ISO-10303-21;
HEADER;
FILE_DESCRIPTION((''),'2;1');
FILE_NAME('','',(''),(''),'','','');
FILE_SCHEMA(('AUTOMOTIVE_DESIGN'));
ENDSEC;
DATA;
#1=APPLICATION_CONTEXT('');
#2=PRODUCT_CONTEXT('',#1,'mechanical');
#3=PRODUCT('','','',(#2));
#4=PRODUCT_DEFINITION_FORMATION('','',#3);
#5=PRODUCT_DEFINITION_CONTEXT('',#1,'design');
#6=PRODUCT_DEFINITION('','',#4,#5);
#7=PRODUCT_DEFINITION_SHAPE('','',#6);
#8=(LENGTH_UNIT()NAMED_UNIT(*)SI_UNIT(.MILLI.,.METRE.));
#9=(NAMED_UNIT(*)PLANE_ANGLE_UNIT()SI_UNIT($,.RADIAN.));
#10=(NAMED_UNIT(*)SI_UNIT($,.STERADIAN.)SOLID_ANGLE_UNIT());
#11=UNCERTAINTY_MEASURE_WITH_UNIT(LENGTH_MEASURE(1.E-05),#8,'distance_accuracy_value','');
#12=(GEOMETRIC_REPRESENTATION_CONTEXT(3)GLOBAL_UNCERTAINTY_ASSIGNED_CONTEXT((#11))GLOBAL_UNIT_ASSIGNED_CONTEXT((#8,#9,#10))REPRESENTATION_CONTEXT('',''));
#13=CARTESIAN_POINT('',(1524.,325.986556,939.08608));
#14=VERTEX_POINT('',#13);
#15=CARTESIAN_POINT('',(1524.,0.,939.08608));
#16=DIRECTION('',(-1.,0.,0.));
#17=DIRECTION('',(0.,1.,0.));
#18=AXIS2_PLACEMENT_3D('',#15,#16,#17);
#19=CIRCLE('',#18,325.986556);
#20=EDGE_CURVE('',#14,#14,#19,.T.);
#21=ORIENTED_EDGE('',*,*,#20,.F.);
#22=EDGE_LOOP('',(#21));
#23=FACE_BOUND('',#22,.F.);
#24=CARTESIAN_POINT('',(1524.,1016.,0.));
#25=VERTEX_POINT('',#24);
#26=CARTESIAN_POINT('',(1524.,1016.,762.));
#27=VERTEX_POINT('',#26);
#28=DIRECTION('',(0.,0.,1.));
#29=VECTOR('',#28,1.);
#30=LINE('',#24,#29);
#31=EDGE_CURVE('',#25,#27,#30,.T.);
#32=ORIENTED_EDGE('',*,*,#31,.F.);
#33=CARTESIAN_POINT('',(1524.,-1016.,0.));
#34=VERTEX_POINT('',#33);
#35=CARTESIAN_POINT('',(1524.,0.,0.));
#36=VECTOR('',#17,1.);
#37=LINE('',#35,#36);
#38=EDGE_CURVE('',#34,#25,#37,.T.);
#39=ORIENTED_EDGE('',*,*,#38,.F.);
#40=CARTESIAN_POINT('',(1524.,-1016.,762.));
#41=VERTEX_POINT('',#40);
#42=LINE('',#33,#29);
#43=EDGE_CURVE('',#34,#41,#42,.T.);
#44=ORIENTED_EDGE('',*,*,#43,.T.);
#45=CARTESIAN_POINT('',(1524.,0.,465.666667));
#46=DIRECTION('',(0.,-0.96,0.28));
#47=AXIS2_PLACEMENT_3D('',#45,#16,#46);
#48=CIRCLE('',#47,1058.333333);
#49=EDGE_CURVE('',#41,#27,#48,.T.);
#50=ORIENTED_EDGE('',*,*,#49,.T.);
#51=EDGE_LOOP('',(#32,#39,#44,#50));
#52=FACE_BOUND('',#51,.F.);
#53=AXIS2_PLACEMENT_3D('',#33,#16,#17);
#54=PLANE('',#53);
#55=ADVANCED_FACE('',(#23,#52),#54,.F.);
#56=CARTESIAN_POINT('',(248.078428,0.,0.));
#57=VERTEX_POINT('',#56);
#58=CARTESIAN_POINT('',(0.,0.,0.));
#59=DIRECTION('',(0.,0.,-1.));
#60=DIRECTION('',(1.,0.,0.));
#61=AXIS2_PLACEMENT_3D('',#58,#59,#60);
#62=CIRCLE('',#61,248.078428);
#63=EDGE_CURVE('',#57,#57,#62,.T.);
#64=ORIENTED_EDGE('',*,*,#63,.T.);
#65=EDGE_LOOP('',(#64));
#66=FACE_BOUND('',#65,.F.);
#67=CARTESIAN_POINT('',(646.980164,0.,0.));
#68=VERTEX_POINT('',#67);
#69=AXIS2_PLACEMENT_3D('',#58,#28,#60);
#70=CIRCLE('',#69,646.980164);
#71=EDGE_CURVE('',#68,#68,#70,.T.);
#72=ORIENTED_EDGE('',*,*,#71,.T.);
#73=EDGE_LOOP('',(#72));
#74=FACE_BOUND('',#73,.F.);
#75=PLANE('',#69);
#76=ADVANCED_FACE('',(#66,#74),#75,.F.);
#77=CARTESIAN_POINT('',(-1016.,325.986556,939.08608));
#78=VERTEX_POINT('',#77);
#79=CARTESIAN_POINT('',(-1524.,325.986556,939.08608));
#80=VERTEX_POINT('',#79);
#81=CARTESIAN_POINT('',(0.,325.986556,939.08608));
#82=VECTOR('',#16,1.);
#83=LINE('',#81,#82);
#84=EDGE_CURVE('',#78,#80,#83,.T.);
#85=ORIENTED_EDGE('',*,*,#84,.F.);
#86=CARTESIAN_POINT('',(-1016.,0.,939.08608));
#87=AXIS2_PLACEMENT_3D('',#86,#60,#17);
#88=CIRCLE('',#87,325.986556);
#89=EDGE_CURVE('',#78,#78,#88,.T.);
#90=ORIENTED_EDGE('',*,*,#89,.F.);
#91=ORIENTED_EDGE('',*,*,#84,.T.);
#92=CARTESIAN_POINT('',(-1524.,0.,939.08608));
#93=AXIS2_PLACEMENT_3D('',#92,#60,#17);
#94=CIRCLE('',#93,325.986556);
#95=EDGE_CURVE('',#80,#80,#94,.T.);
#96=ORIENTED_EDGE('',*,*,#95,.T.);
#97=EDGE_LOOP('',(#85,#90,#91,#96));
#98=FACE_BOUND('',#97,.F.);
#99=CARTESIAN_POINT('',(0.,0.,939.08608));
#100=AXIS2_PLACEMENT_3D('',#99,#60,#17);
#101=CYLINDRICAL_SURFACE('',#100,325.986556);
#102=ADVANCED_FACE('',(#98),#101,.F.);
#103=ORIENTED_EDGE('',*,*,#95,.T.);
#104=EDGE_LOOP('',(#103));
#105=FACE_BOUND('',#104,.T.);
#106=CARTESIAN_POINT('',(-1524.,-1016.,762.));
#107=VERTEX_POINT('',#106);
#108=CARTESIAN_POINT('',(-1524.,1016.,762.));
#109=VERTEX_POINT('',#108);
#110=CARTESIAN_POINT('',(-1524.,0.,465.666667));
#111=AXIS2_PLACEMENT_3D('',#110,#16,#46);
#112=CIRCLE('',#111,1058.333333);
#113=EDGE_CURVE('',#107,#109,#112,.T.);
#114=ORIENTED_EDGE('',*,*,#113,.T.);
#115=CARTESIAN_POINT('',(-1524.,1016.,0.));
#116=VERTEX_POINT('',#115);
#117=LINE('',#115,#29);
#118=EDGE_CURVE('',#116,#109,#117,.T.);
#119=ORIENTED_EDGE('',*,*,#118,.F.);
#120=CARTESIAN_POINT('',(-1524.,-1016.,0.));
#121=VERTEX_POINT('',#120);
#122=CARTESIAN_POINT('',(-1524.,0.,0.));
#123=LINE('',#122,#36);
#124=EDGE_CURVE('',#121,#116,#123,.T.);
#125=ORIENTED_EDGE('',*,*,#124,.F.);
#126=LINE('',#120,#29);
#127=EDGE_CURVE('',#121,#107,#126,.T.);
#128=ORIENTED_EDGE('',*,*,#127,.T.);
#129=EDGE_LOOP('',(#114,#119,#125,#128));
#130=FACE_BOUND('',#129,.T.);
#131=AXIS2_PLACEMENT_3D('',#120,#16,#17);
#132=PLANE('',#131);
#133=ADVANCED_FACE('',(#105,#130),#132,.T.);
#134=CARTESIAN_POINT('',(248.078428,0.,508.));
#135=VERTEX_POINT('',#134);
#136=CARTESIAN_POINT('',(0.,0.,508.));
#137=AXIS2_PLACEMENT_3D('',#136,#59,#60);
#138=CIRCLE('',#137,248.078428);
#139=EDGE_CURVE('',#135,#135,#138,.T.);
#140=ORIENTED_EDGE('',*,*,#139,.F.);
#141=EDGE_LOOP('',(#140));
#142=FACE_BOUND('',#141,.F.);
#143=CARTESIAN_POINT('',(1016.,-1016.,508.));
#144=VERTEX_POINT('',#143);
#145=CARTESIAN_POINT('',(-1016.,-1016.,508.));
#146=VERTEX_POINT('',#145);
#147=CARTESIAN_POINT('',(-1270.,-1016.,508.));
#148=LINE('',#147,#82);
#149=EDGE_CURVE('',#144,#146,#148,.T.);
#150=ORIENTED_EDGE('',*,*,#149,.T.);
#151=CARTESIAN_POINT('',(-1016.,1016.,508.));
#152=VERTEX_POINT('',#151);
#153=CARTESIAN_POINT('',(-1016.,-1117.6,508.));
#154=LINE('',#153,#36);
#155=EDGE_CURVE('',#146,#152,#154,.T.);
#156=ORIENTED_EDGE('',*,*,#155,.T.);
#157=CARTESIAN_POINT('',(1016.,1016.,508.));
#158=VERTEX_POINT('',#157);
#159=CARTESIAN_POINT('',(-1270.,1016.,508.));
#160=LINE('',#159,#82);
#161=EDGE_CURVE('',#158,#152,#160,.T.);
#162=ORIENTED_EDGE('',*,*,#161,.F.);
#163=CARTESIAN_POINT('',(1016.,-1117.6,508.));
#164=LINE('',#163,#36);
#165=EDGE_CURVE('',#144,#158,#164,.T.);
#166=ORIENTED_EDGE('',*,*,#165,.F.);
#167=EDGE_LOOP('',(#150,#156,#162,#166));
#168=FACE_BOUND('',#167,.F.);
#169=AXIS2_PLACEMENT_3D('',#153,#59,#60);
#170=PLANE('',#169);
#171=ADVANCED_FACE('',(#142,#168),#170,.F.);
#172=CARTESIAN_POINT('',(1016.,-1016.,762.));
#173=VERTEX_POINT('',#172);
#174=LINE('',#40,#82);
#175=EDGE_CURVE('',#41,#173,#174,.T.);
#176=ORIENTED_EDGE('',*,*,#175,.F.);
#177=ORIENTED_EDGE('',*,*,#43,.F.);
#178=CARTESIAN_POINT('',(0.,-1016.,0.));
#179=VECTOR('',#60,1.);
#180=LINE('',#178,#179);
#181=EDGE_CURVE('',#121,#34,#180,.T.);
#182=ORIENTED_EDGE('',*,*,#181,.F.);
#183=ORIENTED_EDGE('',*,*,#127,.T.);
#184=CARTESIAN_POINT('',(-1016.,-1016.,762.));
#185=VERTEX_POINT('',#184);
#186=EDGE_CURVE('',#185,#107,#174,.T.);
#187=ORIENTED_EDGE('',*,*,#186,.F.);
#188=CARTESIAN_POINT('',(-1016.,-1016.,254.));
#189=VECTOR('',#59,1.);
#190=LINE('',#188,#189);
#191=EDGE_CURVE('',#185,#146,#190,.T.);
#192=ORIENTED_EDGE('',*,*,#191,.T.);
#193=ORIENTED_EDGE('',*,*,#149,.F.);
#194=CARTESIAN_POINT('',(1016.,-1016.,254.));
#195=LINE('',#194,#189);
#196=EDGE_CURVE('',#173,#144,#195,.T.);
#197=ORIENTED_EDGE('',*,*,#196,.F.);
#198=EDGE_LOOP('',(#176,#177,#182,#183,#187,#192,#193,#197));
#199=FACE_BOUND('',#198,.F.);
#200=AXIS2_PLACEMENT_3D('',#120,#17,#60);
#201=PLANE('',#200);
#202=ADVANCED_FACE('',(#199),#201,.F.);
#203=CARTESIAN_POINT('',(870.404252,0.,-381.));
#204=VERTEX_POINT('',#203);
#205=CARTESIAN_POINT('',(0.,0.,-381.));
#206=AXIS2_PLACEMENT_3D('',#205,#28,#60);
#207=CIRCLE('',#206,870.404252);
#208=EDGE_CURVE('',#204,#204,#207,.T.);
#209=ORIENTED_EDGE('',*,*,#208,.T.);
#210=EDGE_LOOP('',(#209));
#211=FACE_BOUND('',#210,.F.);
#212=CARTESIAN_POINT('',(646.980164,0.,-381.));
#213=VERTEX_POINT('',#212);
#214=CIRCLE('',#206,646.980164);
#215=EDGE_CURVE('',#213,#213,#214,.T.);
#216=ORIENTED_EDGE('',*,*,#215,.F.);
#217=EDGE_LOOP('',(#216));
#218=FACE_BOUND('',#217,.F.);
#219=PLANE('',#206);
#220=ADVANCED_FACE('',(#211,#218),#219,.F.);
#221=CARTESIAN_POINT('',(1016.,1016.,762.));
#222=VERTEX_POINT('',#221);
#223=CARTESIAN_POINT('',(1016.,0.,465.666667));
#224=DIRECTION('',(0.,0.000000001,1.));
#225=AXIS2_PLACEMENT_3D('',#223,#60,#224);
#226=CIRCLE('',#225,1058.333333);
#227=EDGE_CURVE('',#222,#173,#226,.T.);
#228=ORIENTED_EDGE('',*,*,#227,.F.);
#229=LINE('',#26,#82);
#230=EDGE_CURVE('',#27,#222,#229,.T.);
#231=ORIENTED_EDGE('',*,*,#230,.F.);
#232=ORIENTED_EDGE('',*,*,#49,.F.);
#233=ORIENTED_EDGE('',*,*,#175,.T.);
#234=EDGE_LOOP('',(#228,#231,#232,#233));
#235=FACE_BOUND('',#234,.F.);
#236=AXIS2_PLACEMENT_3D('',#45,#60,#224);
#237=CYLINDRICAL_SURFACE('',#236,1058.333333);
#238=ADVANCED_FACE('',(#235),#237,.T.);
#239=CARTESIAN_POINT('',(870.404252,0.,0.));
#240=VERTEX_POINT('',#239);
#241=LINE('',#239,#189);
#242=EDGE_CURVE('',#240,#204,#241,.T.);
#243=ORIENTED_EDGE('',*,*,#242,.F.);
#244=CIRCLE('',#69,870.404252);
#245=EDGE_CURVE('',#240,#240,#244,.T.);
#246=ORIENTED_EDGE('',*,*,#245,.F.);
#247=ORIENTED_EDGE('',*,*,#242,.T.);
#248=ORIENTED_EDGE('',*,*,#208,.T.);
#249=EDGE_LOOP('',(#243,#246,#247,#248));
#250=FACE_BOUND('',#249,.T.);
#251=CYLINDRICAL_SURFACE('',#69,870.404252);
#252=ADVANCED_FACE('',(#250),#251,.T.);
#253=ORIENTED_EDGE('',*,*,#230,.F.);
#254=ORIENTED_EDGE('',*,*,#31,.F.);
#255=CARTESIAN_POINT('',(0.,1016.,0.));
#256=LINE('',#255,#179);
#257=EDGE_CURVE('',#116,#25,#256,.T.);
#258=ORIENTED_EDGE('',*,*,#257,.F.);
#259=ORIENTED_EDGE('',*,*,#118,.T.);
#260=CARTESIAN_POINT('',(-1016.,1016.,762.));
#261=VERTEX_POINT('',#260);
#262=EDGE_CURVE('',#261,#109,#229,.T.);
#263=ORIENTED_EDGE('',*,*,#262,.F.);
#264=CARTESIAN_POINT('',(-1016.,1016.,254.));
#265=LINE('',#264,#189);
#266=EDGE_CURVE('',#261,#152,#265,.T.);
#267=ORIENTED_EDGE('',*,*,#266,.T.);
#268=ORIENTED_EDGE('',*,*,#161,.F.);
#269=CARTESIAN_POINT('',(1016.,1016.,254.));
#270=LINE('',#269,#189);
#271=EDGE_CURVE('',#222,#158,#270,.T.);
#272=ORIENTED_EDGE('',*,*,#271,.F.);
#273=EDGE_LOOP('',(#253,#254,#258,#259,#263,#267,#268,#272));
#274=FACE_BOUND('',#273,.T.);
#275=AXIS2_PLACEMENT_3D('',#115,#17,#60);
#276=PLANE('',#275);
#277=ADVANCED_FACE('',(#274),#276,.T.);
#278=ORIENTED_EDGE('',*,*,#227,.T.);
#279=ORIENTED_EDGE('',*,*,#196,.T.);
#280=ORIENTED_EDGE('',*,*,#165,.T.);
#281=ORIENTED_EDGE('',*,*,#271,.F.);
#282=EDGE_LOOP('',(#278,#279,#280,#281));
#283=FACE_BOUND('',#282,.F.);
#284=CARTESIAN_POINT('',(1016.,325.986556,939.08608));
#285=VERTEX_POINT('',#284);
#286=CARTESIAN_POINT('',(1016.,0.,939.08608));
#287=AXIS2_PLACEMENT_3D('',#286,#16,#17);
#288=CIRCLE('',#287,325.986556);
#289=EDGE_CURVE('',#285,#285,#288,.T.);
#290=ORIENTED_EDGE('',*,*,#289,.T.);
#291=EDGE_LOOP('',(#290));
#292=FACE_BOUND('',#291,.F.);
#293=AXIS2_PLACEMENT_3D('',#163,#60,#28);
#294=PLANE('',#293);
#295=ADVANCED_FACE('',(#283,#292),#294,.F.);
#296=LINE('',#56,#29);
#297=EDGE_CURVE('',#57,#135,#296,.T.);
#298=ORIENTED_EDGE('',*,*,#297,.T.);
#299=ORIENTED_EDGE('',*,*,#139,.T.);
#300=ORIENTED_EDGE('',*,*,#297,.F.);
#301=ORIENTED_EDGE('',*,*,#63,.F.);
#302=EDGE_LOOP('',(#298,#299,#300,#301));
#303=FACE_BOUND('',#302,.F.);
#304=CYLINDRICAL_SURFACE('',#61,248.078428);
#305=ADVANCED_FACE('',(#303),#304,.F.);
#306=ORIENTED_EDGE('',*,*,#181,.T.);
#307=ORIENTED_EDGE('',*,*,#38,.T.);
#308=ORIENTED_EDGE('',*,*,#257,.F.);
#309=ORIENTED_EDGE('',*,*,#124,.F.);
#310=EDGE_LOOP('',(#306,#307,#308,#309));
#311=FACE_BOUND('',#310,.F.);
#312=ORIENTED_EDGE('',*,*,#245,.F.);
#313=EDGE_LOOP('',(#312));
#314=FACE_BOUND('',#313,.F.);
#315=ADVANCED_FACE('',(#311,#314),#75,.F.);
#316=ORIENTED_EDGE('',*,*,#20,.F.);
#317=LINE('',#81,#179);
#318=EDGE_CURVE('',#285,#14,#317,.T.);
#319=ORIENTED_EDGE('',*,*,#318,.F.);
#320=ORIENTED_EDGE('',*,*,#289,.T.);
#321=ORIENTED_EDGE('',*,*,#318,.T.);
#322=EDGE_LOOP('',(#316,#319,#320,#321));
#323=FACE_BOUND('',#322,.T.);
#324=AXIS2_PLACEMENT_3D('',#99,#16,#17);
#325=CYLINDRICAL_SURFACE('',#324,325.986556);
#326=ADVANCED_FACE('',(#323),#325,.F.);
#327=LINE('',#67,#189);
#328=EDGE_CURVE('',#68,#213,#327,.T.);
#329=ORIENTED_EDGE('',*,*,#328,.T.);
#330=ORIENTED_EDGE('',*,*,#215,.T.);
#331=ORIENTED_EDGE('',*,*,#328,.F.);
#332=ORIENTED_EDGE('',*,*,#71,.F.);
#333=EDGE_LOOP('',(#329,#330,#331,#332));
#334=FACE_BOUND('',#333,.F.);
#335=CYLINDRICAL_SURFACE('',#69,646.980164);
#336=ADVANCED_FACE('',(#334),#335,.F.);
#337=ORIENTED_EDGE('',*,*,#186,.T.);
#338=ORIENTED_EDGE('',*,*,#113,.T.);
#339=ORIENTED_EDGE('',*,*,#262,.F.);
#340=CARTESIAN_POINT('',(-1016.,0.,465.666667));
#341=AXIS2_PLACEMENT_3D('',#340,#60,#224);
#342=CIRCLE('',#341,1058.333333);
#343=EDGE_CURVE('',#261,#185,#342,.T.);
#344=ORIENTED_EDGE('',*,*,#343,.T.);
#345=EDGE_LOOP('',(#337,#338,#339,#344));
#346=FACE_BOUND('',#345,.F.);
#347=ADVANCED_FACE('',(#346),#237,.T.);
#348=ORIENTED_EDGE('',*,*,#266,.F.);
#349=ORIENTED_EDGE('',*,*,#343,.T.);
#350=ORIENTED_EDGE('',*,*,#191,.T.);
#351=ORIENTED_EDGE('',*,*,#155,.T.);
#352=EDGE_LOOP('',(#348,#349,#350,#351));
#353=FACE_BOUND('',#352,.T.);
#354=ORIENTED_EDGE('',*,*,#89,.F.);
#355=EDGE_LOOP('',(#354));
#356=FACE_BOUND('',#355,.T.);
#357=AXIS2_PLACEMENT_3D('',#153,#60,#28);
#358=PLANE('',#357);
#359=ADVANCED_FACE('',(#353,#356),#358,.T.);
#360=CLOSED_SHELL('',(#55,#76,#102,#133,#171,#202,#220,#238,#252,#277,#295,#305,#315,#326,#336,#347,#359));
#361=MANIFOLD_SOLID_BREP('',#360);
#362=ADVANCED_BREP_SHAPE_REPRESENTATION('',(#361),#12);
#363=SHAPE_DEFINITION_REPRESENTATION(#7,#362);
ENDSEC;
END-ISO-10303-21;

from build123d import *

# Parameters (mm, degrees)
F0_W           = 3048
F0_H           = 2032
F1_DEPTH       = 1524
F3_DEPTH       = 3048.001
F5_W           = 2032
F5_H           = 1315.5198163623
F6_DEPTH       = 2133.601
F7_R           = 870.4042517591
F7_R_2         = 646.9801635048
F8_DEPTH       = 381
F9_R           = 248.0784284922
F10_DEPTH      = 1734.82
F11_R          = 325.9865562234
F12_DEPTH      = 1981.2
F12_DEPTH_BACK = 1854.2


with BuildPart() as f1:
    # F0 (on Top) → F1 (new body)
    with BuildSketch(Plane.XY):
        Rectangle(F0_W, F0_H)
    extrude(amount=F1_DEPTH)

    # F2 (on face) → F3 (cut, through all)
    with BuildSketch(Plane.YZ.offset(1524)):
        with BuildLine():
            ThreePointArc((7.186e-07, 1524), (635.0000002874, 1312.3333331178), (1016, 762))
            Line((1016, 762), (1016, 1524))
            Line((1016, 1524), (7.186e-07, 1524))
        make_face()
        with BuildLine():
            ThreePointArc((-1016, 762), (-634.9999997126, 1312.3333335489), (7.186e-07, 1524))
            Line((7.186e-07, 1524), (-1016, 1524))
            Line((-1016, 1524), (-1016, 762))
        make_face()
    extrude(amount=-F3_DEPTH, mode=Mode.SUBTRACT)

    # F5 (on offset) → F6 (cut, through all)
    with BuildSketch(Plane.XZ.offset(1117.6)):
        with Locations((0, 1165.7599081811)):
            Rectangle(F5_W, F5_H)
    extrude(amount=-F6_DEPTH, mode=Mode.SUBTRACT)

    # F7 (on Top) → F8 (join)
    with BuildSketch(Plane.XY):
        Circle(F7_R)
        Circle(F7_R_2, mode=Mode.SUBTRACT)
    extrude(amount=-F8_DEPTH)

    # F9 (on face) → F10 (cut)
    with BuildSketch(Plane(origin=(0, 0, 0), x_dir=(1, 0, 0), z_dir=(0, 0, -1))):
        Circle(F9_R)
    extrude(amount=-F10_DEPTH, mode=Mode.SUBTRACT)

    # F11 (on Right) → F12 (cut, two sides)
    with BuildSketch(Plane.YZ) as f12_sk:
        with Locations((0, 939.0860795975)):
            Circle(F11_R)
    extrude(amount=-F12_DEPTH, mode=Mode.SUBTRACT)
    extrude(f12_sk.sketch, amount=F12_DEPTH_BACK, mode=Mode.SUBTRACT)


solid = f1.part
